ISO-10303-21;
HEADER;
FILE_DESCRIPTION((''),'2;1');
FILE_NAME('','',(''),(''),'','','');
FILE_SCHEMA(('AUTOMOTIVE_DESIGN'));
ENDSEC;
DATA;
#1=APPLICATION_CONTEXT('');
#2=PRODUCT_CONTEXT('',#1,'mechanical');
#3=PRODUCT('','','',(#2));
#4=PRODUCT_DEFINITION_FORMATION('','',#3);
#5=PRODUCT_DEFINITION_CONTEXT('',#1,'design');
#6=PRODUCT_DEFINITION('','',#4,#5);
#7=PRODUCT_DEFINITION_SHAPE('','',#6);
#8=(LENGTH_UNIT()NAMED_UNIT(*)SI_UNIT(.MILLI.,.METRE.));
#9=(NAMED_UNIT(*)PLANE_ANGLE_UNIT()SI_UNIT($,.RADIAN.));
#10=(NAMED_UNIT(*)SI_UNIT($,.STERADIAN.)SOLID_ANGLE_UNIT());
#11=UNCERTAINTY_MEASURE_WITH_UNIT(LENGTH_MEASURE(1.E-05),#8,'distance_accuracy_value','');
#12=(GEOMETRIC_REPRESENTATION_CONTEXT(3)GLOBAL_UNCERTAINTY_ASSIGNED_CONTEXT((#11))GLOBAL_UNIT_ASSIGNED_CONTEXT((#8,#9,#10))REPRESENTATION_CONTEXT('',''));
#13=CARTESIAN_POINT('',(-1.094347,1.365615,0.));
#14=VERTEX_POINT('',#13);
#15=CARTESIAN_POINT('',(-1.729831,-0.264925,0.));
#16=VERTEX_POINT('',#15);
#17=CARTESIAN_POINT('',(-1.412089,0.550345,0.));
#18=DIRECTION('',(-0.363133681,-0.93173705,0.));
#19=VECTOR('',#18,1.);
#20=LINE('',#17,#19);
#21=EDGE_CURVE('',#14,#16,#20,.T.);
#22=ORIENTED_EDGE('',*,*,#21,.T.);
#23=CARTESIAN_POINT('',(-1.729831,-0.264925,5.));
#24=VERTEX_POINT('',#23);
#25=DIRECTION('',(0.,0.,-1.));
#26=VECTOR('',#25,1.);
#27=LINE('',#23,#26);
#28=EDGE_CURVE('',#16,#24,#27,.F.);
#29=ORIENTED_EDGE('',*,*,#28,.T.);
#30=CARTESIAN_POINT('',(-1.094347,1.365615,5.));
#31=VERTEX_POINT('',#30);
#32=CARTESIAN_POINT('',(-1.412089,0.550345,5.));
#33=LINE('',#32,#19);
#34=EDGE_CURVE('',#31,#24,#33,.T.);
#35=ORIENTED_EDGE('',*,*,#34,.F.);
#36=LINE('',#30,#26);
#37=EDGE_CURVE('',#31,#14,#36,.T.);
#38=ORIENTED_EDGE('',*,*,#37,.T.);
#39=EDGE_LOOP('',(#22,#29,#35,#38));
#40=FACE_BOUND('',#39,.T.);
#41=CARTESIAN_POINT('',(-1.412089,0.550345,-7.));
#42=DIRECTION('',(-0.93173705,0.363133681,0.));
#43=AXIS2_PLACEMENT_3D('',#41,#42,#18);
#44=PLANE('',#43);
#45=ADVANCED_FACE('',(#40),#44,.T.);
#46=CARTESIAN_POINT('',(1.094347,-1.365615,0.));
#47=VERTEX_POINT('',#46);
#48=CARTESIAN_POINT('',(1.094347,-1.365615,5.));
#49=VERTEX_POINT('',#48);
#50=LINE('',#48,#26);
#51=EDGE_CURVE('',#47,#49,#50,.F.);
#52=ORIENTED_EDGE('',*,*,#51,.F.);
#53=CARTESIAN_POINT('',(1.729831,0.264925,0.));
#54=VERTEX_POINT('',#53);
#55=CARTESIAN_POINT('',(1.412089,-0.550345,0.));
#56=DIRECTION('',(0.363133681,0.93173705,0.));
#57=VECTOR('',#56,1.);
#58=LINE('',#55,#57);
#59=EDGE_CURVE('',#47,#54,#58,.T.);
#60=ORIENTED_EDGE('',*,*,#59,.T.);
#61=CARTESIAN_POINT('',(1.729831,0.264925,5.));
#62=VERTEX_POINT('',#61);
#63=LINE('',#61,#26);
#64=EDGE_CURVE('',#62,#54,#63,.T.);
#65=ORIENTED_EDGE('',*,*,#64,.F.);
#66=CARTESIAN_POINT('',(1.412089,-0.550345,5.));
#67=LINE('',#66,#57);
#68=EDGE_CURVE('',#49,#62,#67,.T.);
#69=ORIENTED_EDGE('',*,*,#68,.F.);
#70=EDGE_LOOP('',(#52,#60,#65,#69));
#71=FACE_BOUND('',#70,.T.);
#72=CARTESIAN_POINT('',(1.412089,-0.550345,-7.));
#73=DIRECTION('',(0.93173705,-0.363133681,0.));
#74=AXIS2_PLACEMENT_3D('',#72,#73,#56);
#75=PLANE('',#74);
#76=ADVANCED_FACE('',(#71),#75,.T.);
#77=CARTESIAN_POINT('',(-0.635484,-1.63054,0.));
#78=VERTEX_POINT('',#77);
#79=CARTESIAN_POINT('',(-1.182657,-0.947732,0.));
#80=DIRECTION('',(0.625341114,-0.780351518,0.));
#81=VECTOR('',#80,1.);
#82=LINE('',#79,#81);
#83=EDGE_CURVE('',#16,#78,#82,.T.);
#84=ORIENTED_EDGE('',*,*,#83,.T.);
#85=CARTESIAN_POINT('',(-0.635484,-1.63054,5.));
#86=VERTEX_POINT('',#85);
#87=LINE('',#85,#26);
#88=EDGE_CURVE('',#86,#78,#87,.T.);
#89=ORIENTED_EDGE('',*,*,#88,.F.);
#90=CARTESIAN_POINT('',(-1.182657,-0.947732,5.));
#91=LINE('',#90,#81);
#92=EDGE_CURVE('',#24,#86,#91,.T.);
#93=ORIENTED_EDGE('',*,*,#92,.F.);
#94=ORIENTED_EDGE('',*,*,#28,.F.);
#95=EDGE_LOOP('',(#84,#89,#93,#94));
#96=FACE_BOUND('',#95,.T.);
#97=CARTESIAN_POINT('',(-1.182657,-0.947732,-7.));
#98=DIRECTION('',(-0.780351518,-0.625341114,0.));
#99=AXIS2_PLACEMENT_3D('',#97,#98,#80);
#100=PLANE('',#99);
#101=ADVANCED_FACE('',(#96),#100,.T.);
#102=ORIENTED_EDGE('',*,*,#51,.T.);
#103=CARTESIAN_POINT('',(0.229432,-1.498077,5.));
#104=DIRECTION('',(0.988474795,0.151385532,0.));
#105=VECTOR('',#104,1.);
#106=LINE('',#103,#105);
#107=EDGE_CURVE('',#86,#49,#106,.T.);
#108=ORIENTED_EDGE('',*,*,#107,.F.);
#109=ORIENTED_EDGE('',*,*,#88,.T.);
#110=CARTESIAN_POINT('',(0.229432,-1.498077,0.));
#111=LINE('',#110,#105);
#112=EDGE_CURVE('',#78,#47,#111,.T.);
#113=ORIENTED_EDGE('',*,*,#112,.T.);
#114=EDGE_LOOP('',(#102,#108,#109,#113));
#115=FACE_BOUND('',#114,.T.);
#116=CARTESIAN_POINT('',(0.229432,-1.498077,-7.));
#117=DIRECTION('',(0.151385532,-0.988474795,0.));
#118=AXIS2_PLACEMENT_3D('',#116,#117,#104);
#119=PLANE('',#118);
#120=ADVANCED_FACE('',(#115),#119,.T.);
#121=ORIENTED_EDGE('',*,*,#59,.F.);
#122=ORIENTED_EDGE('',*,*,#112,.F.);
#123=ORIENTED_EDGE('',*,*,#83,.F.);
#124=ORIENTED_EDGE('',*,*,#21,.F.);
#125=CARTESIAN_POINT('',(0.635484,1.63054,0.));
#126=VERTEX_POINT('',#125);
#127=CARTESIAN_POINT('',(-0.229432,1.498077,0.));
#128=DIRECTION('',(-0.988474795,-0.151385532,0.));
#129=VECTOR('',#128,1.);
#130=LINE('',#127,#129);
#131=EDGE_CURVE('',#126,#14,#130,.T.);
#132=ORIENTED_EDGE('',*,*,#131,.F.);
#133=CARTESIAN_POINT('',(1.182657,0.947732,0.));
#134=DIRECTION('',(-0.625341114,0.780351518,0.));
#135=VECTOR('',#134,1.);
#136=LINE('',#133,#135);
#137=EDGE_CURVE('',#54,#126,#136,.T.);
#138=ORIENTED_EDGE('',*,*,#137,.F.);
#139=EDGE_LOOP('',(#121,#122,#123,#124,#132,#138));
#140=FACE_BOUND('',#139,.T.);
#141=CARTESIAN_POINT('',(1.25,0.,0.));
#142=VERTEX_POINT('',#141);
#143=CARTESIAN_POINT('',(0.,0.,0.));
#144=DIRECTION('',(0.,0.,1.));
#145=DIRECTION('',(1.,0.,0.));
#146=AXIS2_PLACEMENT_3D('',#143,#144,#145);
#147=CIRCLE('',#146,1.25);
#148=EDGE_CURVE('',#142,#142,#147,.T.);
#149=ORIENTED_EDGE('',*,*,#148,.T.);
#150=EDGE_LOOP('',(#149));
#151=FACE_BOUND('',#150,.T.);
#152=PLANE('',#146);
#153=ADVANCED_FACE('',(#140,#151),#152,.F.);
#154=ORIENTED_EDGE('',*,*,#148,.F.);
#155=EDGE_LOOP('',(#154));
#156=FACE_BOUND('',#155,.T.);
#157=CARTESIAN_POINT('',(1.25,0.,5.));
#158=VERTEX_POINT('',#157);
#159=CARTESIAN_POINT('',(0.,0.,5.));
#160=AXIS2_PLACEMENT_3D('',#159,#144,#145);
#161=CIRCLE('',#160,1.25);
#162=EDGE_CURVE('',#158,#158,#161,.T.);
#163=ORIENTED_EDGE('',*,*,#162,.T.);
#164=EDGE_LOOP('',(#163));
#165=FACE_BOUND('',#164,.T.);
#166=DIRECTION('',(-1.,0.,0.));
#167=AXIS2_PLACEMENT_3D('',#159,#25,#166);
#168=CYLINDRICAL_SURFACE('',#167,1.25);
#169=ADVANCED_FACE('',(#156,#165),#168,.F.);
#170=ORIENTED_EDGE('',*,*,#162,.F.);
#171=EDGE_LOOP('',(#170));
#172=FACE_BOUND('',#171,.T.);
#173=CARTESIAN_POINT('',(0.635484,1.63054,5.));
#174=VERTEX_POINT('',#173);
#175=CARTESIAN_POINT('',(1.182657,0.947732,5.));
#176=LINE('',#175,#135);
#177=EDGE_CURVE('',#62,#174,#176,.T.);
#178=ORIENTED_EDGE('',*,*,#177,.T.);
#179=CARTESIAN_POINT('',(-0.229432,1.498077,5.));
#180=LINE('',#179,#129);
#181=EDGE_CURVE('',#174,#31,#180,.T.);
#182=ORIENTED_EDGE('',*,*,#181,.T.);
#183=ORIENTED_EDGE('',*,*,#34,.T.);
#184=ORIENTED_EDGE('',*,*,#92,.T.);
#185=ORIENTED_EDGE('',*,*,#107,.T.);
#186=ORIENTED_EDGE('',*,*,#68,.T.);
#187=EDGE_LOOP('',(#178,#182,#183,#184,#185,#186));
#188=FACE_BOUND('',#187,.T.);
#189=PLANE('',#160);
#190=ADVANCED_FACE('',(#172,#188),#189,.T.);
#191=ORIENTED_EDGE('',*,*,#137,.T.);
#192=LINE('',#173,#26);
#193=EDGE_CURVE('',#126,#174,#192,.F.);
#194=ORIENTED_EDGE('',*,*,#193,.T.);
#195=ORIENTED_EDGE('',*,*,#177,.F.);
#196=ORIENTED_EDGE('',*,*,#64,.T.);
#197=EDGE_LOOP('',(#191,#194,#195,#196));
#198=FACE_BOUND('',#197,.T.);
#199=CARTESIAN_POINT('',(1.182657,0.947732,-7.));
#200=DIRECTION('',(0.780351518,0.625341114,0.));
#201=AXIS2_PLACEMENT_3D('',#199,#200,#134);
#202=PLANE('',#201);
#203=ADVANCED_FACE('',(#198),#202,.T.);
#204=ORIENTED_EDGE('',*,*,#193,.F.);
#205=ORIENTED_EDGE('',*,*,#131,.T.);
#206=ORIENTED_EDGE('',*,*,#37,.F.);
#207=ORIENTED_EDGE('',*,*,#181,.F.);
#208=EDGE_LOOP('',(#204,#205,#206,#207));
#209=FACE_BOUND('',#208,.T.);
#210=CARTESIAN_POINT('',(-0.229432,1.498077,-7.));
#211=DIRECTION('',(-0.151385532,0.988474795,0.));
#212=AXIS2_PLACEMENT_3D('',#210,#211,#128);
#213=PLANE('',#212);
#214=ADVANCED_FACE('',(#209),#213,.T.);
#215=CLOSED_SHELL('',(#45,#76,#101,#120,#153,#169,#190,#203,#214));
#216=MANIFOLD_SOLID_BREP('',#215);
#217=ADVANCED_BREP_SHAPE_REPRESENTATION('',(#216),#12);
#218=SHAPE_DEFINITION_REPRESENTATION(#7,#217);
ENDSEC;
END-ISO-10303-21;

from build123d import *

# Parameters (mm, degrees)
SKETCH1_R           = 1.75
SKETCH1_R_2         = 1.25
BOSS_EXTRUDE1_DEPTH = 5
CUT_EXTRUDE2_START  = -12
CUT_EXTRUDE2_DEPTH  = 12


with BuildPart() as part:
    # Sketch1 → Boss-Extrude1 (new body)
    with BuildSketch(Plane.XY):
        Circle(SKETCH1_R)
        Circle(SKETCH1_R_2, mode=Mode.SUBTRACT)
    extrude(amount=BOSS_EXTRUDE1_DEPTH)

    # Sketch2 → Cut-Extrude2 (cut)
    with BuildSketch(Plane.XY.offset(5).offset(CUT_EXTRUDE2_START)):
        with BuildLine():
            ThreePointArc((-1.09434695, 1.365615156), (-1.630539837, 0.635483942), (-1.729830892, -0.264924681))
            Line((-1.729830892, -0.264924681), (-1.09434695, 1.365615156))
        make_face()
        with BuildLine():
            Line((-1.09434695, 1.365615156), (0.635483942, 1.630539837))
            ThreePointArc((0.635483942, 1.630539837), (-0.264924681, 1.729830892), (-1.09434695, 1.365615156))
        make_face()
        with BuildLine():
            Line((0.635483942, 1.630539837), (1.729830892, 0.264924681))
            ThreePointArc((1.729830892, 0.264924681), (1.365615156, 1.09434695), (0.635483942, 1.630539837))
        make_face()
        with BuildLine():
            Line((1.729830892, 0.264924681), (1.09434695, -1.365615156))
            ThreePointArc((1.09434695, -1.365615156), (1.577594238, -0.757427501), (1.75, 0))
            ThreePointArc((1.75, 0), (1.744950438, 0.132845662), (1.729830892, 0.264924681))
        make_face()
        with BuildLine():
            ThreePointArc((-0.635483942, -1.630539837), (0.264924681, -1.729830892), (1.09434695, -1.365615156))
            Line((1.09434695, -1.365615156), (-0.635483942, -1.630539837))
        make_face()
        with BuildLine():
            ThreePointArc((-1.729830892, -0.264924681), (-1.365615156, -1.09434695), (-0.635483942, -1.630539837))
            Line((-0.635483942, -1.630539837), (-1.729830892, -0.264924681))
        make_face()
    extrude(amount=CUT_EXTRUDE2_DEPTH, mode=Mode.SUBTRACT)


solid = part.part
